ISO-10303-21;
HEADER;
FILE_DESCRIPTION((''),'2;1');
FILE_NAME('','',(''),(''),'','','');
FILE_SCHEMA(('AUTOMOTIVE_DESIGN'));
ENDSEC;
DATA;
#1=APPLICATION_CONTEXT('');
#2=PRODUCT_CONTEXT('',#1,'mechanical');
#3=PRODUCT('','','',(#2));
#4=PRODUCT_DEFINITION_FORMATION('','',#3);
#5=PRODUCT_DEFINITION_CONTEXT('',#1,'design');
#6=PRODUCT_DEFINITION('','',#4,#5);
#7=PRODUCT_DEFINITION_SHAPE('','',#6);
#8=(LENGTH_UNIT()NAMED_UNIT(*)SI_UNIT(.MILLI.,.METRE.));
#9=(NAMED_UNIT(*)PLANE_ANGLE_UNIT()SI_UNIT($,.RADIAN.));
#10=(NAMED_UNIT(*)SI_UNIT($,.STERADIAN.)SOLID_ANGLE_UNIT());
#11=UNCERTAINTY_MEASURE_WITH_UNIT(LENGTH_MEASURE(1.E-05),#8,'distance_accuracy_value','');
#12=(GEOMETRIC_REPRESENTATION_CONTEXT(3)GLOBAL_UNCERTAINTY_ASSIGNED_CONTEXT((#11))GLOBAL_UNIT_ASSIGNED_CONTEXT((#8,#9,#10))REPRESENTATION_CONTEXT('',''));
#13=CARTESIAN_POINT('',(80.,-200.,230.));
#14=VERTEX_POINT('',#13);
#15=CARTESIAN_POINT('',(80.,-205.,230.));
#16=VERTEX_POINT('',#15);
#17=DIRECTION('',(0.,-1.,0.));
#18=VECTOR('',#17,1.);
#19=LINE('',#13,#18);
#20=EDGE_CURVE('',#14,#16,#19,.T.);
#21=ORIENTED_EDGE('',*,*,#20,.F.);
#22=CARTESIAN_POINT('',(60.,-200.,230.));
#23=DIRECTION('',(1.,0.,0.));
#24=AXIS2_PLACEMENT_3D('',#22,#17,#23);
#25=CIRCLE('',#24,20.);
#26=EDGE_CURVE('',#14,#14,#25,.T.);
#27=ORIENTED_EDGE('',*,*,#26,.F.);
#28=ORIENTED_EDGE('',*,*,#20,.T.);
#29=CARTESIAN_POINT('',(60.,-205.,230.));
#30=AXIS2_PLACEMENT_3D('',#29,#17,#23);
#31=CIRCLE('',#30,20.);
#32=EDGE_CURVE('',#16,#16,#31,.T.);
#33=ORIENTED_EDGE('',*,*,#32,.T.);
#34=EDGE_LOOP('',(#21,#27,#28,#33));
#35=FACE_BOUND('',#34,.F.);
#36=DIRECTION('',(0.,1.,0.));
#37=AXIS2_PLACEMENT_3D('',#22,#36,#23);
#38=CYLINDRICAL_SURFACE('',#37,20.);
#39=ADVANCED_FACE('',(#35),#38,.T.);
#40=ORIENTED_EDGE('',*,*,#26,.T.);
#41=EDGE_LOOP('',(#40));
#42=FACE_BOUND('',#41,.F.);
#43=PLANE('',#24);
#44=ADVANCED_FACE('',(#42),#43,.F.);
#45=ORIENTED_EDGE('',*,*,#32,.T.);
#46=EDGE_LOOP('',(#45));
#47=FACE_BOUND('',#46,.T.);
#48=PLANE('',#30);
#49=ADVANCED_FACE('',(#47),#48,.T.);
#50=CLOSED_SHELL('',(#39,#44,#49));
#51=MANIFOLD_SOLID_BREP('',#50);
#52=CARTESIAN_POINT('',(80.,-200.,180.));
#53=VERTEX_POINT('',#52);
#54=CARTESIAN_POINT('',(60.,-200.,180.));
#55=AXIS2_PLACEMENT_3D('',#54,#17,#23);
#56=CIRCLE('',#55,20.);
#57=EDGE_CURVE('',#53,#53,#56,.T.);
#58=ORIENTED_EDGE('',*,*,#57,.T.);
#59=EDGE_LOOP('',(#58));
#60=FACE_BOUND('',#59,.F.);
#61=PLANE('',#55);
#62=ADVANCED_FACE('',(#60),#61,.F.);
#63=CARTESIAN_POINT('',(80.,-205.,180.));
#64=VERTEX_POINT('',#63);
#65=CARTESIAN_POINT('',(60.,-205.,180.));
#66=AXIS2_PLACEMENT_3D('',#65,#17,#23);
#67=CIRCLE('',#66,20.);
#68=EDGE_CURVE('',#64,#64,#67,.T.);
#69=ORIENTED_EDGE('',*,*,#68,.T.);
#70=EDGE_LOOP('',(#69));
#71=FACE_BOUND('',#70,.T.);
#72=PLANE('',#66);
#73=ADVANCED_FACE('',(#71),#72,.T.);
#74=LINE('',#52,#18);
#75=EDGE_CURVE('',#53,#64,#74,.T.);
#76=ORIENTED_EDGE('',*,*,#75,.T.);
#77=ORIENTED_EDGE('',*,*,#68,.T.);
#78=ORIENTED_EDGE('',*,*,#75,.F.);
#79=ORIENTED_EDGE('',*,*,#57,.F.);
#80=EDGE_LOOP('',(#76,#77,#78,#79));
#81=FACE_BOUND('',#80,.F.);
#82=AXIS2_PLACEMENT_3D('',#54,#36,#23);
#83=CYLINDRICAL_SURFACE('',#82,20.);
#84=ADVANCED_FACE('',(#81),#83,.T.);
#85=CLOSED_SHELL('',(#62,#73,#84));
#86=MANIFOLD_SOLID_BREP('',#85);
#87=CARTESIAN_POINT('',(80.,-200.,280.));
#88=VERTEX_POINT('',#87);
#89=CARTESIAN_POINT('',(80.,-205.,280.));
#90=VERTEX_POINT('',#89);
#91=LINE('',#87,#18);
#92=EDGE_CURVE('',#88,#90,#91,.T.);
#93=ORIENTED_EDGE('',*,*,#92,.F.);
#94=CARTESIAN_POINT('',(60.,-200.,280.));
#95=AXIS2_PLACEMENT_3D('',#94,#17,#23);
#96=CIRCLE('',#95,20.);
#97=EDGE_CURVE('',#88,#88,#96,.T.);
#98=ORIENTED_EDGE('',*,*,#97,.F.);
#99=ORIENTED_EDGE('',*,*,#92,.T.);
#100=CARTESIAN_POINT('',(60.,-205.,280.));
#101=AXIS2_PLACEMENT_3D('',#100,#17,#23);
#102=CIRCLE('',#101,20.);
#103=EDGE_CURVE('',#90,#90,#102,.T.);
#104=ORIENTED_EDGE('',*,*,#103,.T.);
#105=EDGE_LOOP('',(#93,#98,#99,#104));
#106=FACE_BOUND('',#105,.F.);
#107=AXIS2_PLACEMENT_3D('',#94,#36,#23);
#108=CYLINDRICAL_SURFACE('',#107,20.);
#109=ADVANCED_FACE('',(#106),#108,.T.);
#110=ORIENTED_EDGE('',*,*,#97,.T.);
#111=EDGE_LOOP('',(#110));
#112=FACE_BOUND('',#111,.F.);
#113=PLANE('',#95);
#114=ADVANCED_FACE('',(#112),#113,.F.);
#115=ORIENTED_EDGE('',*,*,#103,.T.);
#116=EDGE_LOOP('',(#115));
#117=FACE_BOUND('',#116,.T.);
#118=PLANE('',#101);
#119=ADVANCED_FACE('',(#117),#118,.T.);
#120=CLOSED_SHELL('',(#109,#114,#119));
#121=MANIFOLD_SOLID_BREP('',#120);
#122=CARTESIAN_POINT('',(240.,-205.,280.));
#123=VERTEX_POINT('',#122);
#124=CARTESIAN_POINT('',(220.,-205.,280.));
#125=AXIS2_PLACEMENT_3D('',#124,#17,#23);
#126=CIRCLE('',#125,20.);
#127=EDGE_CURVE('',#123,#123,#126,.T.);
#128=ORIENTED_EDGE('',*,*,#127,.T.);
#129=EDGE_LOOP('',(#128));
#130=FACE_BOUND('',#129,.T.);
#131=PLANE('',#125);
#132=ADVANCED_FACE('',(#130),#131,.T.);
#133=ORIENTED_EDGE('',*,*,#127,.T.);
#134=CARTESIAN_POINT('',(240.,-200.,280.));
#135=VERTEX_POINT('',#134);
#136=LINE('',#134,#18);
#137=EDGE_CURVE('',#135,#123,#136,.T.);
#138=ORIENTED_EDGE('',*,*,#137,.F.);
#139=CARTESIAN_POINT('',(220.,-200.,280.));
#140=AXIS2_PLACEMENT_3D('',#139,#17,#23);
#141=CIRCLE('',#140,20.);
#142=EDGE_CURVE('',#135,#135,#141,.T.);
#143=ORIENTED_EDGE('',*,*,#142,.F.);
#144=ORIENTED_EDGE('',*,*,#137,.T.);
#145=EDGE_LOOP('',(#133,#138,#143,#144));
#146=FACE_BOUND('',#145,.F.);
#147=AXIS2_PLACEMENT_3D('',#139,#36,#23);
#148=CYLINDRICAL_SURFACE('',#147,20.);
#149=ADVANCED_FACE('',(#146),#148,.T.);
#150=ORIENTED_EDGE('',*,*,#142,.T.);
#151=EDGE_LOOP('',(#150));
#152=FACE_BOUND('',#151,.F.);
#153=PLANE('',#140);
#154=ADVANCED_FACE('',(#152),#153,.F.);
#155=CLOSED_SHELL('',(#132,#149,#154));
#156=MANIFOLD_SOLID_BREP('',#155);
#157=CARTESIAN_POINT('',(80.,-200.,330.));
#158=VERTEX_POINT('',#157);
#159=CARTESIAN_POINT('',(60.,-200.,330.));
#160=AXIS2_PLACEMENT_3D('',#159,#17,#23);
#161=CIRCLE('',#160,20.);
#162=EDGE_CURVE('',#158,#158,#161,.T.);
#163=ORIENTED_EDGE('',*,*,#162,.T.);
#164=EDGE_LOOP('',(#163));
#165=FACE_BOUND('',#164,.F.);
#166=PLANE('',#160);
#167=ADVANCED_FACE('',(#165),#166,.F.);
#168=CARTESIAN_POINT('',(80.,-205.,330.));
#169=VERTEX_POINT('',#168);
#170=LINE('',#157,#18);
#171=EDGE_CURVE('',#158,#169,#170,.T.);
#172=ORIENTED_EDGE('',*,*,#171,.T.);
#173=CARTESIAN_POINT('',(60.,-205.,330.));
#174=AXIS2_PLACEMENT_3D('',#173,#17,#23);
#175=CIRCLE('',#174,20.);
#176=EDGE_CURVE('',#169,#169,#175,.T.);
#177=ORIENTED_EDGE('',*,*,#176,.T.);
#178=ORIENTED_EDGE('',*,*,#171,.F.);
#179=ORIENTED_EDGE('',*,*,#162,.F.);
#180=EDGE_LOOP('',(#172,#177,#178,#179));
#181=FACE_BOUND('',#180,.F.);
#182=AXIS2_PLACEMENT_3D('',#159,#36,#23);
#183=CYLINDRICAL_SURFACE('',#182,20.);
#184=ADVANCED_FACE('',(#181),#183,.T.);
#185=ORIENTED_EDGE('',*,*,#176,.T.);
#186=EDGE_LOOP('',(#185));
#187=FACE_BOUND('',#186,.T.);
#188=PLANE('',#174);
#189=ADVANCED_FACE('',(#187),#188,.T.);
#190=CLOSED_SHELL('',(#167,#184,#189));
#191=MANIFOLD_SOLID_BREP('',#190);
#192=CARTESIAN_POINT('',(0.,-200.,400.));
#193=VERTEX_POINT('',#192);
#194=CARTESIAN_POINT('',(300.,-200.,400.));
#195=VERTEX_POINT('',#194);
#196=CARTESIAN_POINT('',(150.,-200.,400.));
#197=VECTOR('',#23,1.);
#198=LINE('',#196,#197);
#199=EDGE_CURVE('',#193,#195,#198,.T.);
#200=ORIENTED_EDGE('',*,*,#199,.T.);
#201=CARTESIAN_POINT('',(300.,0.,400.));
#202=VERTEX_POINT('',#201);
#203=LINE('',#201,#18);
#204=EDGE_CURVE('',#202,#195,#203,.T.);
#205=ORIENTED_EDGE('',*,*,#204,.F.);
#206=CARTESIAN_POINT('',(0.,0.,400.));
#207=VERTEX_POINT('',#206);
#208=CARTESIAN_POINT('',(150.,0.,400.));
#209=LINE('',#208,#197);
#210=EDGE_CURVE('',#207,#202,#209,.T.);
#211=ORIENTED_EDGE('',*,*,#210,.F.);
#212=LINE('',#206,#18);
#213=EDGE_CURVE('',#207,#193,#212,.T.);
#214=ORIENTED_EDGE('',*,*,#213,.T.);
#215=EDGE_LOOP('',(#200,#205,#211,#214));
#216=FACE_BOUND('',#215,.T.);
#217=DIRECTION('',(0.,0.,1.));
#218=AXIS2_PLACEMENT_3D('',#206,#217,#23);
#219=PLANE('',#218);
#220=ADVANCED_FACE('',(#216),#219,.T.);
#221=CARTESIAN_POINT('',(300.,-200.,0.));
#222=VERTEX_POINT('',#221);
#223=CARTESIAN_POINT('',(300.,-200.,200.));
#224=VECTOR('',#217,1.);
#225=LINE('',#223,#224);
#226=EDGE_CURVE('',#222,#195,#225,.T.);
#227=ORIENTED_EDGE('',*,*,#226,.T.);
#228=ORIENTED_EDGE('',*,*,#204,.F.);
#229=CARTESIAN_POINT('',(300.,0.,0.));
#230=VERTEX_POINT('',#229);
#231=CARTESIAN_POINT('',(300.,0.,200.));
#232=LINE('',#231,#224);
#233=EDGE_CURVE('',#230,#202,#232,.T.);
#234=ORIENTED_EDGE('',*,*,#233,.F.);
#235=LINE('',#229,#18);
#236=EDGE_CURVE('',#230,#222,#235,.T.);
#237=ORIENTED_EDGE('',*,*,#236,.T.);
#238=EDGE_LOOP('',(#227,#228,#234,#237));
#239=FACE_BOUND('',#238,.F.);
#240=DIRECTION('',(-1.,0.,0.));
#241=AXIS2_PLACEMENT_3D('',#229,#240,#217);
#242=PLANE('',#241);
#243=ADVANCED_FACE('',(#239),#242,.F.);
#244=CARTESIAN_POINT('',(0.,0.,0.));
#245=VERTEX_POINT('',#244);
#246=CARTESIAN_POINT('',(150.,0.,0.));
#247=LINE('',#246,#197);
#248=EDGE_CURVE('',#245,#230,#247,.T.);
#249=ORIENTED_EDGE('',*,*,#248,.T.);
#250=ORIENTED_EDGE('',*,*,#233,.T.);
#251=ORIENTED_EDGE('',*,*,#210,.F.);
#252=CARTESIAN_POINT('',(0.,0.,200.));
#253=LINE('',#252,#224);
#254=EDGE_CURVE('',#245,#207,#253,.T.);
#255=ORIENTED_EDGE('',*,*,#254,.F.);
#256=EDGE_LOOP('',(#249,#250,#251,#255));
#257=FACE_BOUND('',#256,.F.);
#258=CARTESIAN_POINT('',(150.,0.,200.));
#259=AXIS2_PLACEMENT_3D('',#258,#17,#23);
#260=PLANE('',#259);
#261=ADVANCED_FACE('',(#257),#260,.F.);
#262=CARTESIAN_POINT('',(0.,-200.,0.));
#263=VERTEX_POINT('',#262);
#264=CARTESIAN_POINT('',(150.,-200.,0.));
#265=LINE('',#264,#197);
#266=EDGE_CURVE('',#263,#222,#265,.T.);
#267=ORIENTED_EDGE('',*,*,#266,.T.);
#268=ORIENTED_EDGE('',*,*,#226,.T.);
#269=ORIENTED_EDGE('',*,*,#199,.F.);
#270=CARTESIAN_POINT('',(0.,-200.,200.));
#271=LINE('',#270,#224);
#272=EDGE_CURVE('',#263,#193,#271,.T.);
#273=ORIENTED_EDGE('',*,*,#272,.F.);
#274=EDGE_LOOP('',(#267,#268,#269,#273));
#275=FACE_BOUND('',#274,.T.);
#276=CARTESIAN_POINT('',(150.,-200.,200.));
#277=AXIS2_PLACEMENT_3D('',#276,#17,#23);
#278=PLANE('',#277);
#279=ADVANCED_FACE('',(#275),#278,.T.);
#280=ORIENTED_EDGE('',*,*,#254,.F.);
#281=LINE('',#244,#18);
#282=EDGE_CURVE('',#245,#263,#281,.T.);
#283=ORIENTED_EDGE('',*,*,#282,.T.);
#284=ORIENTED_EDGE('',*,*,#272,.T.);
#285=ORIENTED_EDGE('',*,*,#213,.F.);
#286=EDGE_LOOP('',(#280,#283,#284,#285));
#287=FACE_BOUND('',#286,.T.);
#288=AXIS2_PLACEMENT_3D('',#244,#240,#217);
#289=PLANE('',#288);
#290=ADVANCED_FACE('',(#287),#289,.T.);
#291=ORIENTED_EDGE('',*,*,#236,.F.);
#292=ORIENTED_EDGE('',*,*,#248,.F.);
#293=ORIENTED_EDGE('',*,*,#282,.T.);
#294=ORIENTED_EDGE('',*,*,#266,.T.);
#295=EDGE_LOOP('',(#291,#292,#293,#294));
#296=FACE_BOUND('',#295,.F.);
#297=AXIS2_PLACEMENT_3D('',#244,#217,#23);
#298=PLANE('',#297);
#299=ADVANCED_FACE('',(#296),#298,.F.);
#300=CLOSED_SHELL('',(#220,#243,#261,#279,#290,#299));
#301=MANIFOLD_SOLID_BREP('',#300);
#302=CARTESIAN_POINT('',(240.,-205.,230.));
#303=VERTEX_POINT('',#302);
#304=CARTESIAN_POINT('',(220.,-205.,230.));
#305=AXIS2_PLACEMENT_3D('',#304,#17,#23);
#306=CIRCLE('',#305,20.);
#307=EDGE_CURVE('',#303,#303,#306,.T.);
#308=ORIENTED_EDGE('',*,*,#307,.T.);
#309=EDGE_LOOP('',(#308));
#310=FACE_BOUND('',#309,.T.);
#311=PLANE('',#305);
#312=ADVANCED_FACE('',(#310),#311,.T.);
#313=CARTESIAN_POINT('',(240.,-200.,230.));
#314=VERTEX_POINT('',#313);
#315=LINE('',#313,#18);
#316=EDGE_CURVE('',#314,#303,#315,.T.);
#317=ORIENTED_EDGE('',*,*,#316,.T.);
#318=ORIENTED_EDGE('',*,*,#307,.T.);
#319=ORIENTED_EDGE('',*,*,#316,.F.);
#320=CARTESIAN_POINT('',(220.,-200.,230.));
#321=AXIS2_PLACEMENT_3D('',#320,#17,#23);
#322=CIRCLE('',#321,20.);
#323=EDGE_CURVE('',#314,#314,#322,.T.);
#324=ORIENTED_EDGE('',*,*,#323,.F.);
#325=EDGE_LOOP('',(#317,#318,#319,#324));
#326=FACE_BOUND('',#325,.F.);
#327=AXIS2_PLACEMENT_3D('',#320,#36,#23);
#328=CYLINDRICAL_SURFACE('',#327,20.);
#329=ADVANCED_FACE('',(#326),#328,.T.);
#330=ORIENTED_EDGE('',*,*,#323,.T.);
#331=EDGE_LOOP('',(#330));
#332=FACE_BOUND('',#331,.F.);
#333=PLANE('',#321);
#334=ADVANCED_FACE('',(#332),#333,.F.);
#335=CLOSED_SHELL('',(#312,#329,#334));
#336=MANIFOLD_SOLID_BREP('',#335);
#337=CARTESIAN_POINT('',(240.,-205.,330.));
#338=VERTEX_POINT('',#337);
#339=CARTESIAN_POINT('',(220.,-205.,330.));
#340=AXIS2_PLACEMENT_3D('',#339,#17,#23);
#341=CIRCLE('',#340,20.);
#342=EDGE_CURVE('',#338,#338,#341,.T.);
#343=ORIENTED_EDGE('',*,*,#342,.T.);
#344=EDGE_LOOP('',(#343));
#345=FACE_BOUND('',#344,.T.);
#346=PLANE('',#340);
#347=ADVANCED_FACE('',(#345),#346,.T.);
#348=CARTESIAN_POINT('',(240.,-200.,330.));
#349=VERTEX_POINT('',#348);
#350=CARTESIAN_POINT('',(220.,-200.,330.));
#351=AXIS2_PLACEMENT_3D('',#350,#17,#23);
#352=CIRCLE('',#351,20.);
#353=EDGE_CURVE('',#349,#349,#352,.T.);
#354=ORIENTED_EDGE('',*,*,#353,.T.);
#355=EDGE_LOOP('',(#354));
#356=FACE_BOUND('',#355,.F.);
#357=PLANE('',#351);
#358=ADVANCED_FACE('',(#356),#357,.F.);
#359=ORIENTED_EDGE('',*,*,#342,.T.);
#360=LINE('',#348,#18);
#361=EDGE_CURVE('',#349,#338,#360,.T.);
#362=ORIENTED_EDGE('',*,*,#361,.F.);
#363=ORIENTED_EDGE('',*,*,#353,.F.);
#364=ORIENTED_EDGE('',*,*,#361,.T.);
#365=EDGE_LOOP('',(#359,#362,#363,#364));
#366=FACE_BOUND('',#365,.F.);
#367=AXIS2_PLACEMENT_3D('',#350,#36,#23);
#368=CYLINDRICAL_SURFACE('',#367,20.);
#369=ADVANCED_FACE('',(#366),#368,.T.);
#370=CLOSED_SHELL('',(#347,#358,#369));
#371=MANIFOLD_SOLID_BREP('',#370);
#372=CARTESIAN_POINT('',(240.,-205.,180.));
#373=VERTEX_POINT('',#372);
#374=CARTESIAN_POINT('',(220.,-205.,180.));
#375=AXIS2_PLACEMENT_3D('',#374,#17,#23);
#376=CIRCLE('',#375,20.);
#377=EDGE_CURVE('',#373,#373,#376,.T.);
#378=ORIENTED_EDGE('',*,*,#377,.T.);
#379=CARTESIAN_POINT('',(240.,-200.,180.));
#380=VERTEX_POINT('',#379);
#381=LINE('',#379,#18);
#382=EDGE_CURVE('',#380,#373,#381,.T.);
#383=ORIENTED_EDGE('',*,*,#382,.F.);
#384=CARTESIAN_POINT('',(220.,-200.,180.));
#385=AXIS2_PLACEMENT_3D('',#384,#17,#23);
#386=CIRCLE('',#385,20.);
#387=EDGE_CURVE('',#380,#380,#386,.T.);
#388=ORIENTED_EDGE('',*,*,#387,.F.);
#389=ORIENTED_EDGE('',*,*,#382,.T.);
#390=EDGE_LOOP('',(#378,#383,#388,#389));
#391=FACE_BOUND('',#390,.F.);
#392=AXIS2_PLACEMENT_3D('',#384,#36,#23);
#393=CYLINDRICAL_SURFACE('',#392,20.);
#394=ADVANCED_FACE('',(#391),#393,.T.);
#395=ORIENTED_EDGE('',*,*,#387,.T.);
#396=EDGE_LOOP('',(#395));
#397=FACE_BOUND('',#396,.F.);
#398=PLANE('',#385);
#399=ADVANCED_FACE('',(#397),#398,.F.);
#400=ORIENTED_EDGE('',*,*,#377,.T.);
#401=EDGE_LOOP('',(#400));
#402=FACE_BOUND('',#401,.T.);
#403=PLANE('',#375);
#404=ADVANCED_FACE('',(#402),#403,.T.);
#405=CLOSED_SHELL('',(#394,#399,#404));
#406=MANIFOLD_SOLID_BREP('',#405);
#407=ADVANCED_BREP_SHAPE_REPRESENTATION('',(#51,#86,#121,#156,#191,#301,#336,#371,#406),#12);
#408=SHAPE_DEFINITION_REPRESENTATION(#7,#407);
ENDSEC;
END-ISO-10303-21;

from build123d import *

# Parameters (mm, degrees)
F0_W     = 300
F0_H     = 400
F1_DEPTH = 200
F2_R     = 20
F3_DEPTH = 5


with BuildPart() as f1:
    # F0 (on Front) → F1 (new body)
    with BuildSketch(Plane.XZ):
        with Locations((150, 200)):
            Rectangle(F0_W, F0_H)
    extrude(amount=F1_DEPTH)


with BuildPart() as f3:
    # F2 (on face) → F3 (new body)
    with BuildSketch(Plane.XZ.offset(200)):
        with Locations((60, 280)):
            Circle(F2_R)
        with Locations((60, 330)):
            Circle(F2_R)
        with Locations((60, 230)):
            Circle(F2_R)
        with Locations((60, 180)):
            Circle(F2_R)
        with Locations((220, 330)):
            Circle(F2_R)
        with Locations((220, 280)):
            Circle(F2_R)
        with Locations((220, 230)):
            Circle(F2_R)
        with Locations((220, 180)):
            Circle(F2_R)
    extrude(amount=F3_DEPTH)


solid = Compound([f1.part, f3.part])
